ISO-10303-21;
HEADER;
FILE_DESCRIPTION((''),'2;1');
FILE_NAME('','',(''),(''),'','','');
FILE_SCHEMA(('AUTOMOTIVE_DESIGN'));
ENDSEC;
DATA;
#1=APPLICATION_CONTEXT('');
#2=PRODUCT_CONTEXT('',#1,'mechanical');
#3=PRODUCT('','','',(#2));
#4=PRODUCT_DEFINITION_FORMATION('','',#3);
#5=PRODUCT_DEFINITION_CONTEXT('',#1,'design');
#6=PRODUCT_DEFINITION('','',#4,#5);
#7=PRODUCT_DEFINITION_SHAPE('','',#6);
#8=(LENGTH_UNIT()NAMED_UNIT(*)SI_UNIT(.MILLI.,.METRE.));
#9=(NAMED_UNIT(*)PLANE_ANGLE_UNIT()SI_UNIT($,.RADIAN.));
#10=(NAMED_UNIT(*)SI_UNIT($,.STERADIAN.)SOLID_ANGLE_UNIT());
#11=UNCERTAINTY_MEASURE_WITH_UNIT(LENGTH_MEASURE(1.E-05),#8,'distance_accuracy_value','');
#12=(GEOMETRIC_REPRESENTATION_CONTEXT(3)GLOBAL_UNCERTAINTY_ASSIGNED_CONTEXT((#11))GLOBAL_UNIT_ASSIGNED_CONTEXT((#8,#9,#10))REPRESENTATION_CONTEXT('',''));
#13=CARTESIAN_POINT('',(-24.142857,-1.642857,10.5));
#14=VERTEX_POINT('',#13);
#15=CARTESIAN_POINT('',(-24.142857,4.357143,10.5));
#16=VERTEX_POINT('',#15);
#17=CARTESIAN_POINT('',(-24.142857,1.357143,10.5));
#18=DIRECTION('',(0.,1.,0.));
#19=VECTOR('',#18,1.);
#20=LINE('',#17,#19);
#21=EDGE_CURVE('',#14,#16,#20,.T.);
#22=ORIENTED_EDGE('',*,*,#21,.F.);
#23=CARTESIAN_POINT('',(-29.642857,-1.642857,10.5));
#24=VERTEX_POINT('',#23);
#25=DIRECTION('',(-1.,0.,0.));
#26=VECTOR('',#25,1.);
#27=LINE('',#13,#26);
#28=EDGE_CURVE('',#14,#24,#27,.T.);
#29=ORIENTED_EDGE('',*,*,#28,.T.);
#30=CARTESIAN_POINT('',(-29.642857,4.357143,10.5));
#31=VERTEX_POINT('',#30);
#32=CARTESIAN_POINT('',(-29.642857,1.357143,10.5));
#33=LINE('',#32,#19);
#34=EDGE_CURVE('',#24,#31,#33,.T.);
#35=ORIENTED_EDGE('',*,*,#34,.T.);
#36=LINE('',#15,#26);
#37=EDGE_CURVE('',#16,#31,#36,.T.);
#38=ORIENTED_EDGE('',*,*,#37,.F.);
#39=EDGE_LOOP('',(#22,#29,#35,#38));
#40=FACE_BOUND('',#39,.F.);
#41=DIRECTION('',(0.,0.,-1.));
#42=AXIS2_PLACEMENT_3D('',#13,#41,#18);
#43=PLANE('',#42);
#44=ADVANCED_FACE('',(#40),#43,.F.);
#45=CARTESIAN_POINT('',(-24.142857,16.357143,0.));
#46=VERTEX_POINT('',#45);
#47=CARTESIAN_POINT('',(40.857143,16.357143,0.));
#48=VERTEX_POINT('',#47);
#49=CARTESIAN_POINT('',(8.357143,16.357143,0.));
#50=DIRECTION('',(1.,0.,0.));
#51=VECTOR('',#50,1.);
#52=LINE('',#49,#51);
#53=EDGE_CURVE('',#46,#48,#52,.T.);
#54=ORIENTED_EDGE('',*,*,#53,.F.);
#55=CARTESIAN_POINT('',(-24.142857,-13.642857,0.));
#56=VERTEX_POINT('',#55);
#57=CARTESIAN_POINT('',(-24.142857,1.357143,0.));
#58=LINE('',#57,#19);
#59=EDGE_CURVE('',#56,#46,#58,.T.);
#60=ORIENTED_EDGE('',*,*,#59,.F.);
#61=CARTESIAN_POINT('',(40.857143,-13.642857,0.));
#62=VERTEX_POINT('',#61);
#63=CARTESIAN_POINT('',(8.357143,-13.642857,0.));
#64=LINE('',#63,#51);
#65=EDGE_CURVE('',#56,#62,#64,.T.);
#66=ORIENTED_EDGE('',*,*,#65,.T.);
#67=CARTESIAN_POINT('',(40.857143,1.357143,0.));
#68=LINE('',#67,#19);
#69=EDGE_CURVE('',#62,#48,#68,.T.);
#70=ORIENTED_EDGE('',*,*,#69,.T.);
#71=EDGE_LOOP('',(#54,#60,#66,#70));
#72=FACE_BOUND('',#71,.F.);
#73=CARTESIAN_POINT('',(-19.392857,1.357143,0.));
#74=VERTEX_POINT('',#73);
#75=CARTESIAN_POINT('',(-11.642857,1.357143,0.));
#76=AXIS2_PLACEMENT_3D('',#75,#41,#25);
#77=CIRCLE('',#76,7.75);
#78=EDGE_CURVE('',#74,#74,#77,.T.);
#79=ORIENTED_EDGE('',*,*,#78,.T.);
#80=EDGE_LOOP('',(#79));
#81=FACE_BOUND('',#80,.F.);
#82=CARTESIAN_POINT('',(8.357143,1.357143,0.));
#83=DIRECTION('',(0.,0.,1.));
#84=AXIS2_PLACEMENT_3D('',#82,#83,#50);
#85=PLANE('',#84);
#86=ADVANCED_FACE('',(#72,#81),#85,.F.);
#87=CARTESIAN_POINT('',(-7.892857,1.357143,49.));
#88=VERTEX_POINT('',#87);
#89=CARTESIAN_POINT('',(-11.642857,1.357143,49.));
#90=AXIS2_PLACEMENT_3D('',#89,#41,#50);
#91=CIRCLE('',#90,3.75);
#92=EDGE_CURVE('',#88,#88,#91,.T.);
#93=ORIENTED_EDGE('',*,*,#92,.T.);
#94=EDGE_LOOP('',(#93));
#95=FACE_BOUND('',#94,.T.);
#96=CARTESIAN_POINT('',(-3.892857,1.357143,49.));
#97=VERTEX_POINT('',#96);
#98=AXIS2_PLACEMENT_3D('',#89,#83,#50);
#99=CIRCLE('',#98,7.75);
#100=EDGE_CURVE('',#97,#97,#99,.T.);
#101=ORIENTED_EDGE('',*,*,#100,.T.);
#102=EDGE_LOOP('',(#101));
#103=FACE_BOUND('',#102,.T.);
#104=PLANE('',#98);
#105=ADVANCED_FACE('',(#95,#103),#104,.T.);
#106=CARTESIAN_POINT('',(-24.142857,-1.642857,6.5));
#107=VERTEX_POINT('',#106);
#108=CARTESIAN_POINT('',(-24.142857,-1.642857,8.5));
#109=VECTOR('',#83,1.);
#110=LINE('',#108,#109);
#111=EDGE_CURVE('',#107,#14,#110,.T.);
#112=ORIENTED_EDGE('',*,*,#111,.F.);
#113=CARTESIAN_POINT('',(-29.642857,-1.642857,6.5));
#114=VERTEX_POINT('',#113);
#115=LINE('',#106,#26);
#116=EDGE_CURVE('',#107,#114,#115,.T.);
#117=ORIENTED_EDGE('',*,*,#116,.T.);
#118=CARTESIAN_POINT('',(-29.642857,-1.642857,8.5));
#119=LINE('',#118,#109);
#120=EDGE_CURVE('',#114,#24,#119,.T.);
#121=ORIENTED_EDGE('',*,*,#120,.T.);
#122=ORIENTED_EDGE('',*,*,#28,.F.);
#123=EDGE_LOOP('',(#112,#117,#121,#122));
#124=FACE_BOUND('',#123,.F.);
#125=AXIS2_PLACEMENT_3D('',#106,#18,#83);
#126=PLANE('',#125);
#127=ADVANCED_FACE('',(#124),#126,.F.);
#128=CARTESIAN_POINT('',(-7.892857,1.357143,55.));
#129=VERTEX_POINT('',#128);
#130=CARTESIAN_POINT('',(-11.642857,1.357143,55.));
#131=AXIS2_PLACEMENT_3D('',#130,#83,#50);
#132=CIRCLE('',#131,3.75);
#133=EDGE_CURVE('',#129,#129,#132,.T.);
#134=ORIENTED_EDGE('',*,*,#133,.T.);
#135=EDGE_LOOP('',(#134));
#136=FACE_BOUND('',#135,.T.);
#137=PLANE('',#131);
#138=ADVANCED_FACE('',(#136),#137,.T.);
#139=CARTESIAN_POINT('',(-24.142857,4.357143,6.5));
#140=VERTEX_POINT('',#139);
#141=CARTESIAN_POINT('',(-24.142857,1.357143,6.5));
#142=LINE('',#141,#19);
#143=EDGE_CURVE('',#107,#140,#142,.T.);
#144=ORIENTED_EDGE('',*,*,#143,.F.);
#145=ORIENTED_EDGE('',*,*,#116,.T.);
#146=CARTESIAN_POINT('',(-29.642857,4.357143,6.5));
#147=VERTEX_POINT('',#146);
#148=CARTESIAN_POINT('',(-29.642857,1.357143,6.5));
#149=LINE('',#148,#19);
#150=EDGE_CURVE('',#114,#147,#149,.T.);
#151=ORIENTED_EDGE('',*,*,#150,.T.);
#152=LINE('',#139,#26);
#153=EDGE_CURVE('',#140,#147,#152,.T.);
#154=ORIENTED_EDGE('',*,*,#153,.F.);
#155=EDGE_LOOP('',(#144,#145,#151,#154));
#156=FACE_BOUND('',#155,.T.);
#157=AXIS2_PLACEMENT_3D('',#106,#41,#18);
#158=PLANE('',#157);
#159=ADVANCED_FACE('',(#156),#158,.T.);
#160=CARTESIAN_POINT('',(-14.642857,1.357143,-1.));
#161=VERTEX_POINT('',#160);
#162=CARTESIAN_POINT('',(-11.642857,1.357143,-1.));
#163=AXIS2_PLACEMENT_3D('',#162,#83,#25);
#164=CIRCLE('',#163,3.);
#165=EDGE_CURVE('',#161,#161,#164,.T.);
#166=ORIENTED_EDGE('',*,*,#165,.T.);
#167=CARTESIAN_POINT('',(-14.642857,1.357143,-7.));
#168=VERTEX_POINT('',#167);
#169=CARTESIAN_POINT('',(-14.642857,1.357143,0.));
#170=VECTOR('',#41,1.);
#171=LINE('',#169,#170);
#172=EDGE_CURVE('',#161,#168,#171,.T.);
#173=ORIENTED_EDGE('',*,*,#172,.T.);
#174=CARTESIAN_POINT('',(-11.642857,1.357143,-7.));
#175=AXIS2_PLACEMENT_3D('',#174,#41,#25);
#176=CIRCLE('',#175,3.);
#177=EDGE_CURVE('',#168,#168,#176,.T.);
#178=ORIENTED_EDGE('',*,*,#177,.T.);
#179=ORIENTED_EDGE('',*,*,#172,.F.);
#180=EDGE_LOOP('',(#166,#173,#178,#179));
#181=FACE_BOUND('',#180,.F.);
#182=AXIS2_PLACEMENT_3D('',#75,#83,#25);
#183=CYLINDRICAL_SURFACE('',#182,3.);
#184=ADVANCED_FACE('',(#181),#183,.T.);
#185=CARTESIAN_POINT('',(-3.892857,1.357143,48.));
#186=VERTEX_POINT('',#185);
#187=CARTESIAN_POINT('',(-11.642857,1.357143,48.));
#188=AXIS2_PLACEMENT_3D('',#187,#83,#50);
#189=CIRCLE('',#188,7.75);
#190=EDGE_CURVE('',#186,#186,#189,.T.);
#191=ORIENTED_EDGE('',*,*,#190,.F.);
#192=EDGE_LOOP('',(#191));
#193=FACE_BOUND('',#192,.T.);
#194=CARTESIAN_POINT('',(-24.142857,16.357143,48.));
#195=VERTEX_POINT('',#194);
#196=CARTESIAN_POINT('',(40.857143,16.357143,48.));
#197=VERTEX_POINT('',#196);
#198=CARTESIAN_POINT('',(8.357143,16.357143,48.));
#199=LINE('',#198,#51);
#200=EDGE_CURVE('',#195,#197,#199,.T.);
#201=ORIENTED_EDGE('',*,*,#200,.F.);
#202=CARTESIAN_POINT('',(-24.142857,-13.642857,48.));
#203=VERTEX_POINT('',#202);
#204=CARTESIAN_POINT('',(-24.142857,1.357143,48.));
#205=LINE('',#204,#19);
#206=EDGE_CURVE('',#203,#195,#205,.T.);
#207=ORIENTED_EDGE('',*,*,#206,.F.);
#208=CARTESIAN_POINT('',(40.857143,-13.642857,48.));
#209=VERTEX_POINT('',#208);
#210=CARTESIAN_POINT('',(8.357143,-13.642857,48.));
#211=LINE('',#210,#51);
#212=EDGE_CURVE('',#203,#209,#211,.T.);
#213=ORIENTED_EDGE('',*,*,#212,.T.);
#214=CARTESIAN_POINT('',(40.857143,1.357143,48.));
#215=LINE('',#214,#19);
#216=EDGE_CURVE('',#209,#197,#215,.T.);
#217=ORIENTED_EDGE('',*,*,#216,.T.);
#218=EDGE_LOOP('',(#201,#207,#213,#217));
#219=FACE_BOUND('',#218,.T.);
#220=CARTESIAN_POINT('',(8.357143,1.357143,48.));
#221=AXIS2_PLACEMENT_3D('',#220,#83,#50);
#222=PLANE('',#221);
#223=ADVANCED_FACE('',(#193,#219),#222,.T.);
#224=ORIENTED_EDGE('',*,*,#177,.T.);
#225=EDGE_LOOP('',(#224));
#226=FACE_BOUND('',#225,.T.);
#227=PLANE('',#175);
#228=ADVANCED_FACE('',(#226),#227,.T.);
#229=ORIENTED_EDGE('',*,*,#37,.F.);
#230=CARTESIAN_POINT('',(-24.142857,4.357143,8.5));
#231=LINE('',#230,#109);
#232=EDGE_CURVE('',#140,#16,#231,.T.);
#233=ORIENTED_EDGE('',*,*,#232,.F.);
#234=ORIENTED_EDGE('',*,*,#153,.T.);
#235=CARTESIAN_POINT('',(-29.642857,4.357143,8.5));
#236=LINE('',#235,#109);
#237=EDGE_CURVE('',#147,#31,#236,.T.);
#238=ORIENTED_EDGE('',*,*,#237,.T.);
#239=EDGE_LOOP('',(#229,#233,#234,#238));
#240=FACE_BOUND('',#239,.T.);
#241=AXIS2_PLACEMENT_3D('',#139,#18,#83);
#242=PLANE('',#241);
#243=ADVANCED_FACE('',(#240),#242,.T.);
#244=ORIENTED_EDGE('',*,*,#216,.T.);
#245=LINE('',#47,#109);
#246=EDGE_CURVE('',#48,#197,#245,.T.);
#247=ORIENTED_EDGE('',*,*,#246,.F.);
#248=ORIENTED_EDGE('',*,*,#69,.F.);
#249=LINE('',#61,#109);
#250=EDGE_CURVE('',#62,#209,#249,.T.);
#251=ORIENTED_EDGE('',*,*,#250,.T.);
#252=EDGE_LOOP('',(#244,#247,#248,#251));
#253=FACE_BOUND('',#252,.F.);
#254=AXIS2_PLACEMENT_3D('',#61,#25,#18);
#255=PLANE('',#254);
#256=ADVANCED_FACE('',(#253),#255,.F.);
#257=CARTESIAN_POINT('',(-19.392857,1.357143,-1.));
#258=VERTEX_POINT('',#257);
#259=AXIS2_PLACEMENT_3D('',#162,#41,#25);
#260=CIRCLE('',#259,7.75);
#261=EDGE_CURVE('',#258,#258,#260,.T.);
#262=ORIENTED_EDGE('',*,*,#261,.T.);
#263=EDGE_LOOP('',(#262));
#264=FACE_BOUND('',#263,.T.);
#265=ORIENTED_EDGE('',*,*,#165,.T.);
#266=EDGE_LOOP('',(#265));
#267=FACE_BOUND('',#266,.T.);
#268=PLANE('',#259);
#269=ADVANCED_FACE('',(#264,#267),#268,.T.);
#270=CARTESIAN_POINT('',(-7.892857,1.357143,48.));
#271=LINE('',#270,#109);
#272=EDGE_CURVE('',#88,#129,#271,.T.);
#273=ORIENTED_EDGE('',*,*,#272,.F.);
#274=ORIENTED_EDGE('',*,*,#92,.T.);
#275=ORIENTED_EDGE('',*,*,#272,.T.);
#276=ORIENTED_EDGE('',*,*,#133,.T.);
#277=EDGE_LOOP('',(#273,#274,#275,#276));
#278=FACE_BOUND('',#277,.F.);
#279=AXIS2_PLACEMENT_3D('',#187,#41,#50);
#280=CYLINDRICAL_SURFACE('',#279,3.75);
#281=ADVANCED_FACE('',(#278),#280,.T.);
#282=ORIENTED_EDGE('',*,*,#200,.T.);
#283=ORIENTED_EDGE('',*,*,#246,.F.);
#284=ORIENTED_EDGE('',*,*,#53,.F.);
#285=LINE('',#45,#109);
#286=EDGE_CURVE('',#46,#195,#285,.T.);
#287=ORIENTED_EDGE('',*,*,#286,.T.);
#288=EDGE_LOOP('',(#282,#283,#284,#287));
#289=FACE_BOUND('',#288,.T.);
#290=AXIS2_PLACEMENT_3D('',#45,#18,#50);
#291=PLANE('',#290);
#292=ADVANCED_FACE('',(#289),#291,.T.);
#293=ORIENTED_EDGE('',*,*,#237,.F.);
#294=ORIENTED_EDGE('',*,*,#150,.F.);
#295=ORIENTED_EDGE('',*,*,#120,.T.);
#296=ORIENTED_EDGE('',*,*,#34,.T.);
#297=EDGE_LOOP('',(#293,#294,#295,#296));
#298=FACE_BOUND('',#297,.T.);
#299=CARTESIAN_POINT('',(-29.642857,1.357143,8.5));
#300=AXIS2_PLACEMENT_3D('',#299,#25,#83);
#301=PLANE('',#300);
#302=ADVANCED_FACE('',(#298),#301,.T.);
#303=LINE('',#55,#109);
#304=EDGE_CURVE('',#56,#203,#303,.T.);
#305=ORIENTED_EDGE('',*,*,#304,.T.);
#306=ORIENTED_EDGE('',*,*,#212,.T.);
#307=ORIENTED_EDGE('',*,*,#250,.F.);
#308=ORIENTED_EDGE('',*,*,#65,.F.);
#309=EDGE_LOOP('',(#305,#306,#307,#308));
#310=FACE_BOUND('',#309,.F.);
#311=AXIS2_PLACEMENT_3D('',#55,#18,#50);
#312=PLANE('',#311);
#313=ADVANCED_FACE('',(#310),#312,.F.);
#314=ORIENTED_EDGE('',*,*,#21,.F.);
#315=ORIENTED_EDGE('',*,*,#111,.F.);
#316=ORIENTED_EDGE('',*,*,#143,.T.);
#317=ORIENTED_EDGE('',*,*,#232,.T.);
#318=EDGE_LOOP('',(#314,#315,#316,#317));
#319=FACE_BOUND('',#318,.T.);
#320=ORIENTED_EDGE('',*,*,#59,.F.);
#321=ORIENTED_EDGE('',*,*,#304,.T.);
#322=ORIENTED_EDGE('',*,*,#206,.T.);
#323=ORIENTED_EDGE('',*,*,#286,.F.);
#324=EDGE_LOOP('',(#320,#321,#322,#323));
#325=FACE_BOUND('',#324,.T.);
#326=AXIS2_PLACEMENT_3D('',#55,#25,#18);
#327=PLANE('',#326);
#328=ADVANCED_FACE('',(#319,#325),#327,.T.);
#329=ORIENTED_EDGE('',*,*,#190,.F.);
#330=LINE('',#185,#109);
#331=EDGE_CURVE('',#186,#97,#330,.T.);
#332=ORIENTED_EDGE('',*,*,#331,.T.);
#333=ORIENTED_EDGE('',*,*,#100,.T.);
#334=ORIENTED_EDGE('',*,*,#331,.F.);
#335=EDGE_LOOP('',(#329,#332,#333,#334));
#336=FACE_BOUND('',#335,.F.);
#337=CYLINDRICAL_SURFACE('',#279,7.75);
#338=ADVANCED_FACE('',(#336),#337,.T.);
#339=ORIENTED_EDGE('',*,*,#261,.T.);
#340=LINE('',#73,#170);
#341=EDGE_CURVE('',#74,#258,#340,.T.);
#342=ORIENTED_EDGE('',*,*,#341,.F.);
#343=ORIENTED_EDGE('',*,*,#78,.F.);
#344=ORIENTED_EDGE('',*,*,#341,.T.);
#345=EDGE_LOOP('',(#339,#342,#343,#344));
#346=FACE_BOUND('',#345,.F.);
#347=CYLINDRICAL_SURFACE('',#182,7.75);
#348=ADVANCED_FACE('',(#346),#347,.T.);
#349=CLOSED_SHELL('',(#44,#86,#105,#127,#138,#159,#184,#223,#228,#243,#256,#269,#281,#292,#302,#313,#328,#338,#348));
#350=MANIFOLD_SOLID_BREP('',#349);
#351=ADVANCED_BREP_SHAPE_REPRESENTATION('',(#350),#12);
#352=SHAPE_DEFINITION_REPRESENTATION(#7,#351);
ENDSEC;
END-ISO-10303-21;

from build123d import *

# Parameters (mm, degrees)
SKETCH2_W           = 65
SKETCH2_H           = 30
BOSS_EXTRUDE1_DEPTH = 48
SKETCH3_R           = 3.75
BOSS_EXTRUDE2_DEPTH = 7
SKETCH4_R           = 7.75
BOSS_EXTRUDE3_DEPTH = 1
SKETCH5_R           = 3
BOSS_EXTRUDE6_DEPTH = 7
SKETCH7_R           = 7.75
BOSS_EXTRUDE7_DEPTH = 1
SKETCH8_W           = 4
SKETCH8_H           = 6
BOSS_EXTRUDE8_DEPTH = 5.5


with BuildPart() as part:
    # Sketch2 → Boss-Extrude1 (new body)
    with BuildSketch(Plane.XY):
        with Locations((8.357142857, 1.357142857)):
            Rectangle(SKETCH2_W, SKETCH2_H)
    extrude(amount=BOSS_EXTRUDE1_DEPTH)

    # Sketch3 → Boss-Extrude2 (add)
    with BuildSketch(Plane.XY.offset(48)):
        with Locations((-11.642857143, 1.357142857)):
            Circle(SKETCH3_R)
    extrude(amount=BOSS_EXTRUDE2_DEPTH)

    # Sketch4 → Boss-Extrude3 (add)
    with BuildSketch(Plane.XY.offset(48)):
        with Locations((-11.642857143, 1.357142857)):
            Circle(SKETCH4_R)
    extrude(amount=BOSS_EXTRUDE3_DEPTH)

    # Sketch5 → Boss-Extrude6 (add)
    with BuildSketch(Plane(origin=(0, 0, 0), x_dir=(-1, 0, 0), z_dir=(0, 0, -1))):
        with Locations((11.642857143, 1.357142857)):
            Circle(SKETCH5_R)
    extrude(amount=BOSS_EXTRUDE6_DEPTH)

    # Sketch7 → Boss-Extrude7 (add)
    with BuildSketch(Plane(origin=(0, 0, 0), x_dir=(-1, 0, 0), z_dir=(0, 0, -1))):
        with Locations((11.642857143, 1.357142857)):
            Circle(SKETCH7_R)
    extrude(amount=BOSS_EXTRUDE7_DEPTH)

    # Sketch8 → Boss-Extrude8 (add)
    with BuildSketch(Plane.ZY.offset(24.142857143)):
        with Locations((8.5, 1.357142857)):
            Rectangle(SKETCH8_W, SKETCH8_H)
    extrude(amount=BOSS_EXTRUDE8_DEPTH)


solid = part.part
